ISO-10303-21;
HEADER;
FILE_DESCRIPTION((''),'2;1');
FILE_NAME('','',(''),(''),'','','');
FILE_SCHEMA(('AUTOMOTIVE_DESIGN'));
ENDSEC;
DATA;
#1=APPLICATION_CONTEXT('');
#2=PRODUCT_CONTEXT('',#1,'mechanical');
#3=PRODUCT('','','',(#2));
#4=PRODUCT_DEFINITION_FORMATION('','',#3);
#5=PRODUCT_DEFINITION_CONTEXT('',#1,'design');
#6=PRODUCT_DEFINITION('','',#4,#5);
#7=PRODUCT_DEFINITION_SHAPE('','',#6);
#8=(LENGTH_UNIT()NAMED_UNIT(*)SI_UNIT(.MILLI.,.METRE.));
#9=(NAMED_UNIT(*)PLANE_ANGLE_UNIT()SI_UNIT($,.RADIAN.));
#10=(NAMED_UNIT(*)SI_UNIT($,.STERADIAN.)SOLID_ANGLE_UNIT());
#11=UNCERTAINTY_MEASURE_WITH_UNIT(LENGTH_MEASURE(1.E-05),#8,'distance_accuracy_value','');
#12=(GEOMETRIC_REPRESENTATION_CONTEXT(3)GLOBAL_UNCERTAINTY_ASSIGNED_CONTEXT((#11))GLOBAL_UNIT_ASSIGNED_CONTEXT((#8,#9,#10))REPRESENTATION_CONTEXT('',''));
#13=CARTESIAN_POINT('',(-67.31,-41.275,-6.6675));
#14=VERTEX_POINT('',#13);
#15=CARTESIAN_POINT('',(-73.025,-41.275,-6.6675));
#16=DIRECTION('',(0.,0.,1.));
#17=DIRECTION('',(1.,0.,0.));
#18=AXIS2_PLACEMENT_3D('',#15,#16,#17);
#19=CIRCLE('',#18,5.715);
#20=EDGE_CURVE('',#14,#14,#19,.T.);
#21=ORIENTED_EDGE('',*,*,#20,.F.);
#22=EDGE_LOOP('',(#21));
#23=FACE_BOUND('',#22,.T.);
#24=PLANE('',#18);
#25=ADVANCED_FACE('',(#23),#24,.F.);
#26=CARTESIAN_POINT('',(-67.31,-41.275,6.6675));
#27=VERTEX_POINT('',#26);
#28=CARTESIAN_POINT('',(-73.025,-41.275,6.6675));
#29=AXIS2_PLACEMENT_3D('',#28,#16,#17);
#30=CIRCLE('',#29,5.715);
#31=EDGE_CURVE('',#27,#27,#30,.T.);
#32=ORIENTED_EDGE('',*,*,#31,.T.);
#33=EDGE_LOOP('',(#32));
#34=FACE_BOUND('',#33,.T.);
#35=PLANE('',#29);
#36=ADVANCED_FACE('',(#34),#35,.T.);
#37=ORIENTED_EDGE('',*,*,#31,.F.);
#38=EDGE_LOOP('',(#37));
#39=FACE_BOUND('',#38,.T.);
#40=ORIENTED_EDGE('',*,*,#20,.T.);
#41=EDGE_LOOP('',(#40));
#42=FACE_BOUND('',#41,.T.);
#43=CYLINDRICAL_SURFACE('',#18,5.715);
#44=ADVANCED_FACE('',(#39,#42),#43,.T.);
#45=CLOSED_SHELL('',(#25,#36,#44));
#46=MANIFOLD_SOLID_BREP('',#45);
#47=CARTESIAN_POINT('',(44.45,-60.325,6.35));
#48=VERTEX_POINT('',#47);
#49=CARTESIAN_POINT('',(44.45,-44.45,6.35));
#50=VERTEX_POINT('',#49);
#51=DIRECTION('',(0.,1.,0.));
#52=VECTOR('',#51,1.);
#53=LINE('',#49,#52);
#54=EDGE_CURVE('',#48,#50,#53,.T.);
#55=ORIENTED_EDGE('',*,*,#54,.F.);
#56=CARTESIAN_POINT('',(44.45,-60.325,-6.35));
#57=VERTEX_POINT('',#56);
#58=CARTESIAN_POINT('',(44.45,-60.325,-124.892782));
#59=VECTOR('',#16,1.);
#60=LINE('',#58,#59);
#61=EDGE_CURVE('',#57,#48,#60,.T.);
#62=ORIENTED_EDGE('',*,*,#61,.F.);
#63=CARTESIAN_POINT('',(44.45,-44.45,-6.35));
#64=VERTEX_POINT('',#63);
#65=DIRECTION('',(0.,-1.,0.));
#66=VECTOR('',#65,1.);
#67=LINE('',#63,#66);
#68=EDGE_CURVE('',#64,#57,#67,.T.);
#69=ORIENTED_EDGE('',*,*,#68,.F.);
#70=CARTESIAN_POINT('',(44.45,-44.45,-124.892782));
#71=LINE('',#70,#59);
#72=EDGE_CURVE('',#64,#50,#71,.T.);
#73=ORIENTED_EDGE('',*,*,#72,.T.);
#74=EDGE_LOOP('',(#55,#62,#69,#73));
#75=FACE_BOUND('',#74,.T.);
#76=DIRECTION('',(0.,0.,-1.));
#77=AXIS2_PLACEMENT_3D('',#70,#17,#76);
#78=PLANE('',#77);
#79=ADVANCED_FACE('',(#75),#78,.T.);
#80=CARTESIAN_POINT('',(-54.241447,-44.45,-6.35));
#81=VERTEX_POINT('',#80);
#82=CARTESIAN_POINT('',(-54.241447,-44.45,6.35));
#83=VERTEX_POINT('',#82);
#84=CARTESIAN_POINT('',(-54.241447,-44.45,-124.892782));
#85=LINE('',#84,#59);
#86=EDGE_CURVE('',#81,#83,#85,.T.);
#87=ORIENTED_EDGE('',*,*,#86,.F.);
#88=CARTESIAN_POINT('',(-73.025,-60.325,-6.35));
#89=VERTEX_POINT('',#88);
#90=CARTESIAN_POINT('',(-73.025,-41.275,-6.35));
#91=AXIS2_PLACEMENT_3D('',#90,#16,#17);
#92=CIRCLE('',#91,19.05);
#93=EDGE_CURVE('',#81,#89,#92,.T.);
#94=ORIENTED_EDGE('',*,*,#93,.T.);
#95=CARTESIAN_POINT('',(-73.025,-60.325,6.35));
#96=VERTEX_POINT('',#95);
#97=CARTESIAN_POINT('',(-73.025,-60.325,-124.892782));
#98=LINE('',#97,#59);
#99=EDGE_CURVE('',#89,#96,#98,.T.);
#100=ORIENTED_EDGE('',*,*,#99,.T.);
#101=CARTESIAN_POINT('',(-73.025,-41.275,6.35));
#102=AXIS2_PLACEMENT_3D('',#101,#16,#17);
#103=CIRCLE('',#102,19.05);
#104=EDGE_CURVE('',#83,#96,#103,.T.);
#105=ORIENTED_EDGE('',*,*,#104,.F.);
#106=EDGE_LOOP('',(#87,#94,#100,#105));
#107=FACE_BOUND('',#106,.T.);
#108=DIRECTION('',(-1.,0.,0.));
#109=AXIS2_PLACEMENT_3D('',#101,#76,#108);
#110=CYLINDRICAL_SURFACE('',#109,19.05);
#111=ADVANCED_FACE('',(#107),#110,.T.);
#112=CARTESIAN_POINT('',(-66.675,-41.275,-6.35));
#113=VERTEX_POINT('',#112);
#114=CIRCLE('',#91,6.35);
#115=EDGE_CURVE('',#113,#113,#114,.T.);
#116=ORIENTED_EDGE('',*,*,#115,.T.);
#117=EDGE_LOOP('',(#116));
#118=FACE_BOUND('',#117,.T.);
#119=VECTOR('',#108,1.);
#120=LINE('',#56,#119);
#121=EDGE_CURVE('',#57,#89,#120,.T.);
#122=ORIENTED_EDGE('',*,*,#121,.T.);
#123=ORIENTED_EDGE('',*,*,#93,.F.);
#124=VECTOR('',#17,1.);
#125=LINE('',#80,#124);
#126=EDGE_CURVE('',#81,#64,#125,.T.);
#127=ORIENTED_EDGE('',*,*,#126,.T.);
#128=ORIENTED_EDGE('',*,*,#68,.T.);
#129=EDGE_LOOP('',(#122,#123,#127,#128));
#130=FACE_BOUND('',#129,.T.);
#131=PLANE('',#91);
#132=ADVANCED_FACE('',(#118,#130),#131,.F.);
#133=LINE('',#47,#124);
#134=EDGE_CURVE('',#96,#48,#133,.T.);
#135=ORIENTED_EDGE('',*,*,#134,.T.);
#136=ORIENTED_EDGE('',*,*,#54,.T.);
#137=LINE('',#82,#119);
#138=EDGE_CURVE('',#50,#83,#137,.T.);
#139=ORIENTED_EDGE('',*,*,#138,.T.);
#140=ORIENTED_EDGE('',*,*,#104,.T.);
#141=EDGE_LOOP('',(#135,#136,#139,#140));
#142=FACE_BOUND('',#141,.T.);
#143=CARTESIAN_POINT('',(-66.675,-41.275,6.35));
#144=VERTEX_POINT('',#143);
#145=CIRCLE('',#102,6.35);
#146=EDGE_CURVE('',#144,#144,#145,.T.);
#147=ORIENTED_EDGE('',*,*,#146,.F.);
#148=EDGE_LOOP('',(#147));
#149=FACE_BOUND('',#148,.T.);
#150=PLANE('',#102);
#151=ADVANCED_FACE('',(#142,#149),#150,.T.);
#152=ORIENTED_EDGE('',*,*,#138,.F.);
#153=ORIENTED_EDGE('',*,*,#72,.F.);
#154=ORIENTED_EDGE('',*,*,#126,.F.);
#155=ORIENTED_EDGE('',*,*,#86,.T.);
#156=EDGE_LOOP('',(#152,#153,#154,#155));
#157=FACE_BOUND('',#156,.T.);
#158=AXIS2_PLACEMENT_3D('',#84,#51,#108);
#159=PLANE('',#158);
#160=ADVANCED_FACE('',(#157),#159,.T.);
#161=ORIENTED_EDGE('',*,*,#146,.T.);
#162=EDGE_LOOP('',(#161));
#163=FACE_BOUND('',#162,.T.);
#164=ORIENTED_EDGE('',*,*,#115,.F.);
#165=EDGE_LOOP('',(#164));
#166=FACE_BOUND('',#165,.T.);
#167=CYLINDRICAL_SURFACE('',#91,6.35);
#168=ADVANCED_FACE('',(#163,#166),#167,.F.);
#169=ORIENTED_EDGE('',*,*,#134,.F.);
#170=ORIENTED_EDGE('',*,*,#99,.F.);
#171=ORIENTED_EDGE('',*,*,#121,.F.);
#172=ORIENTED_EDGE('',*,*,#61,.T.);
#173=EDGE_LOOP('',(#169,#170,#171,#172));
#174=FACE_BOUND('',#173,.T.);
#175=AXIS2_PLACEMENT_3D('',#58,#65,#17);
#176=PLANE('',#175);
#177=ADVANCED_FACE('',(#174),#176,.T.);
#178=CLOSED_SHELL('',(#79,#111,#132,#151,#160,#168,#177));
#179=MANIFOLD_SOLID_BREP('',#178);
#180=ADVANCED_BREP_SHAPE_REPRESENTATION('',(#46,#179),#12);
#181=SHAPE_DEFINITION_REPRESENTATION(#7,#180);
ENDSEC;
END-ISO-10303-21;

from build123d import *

# Parameters (mm, degrees)
SKETCH1_R           = 19.05
BOSS_EXTRUDE1_DEPTH = 6.35
BOSS_EXTRUDE2_DEPTH = 12.7
SKETCH3_R           = 6.35
CUT_EXTRUDE1_DEPTH  = 111.807045128
SKETCH4_R           = 5.715
BOSS_EXTRUDE3_DEPTH = 6.6675


with BuildPart() as part:
    # Sketch1 → Boss-Extrude1 (new, symmetric)
    with BuildSketch(Plane.XY):
        with Locations((-73.025, -41.275)):
            Circle(SKETCH1_R)
    extrude(amount=BOSS_EXTRUDE1_DEPTH, both=True)

    # Sketch2 → Boss-Extrude2 (add)
    with BuildSketch(Plane.XY.offset(6.35)):
        with BuildLine():
            Line((-54.241446689, -44.45), (44.45, -44.45))
            Line((44.45, -44.45), (44.45, -60.325))
            Line((44.45, -60.325), (-73.025, -60.325))
            ThreePointArc((-73.025, -60.325), (-60.728277876, -55.824677831), (-54.241446689, -44.45))
        make_face()
    extrude(amount=-BOSS_EXTRUDE2_DEPTH)

    # Sketch3 → Cut-Extrude1 (cut, through all)
    with BuildSketch(Plane.XY.offset(6.35)):
        with Locations((-73.025, -41.275)):
            Circle(SKETCH3_R)
    extrude(amount=-CUT_EXTRUDE1_DEPTH, mode=Mode.SUBTRACT)


with BuildPart() as body_2:
    # Sketch4 → Boss-Extrude3 (new, symmetric)
    with BuildSketch(Plane.XY):
        with Locations((-73.025, -41.275)):
            Circle(SKETCH4_R)
    extrude(amount=BOSS_EXTRUDE3_DEPTH, both=True)


solid = Compound([part.part, body_2.part])
